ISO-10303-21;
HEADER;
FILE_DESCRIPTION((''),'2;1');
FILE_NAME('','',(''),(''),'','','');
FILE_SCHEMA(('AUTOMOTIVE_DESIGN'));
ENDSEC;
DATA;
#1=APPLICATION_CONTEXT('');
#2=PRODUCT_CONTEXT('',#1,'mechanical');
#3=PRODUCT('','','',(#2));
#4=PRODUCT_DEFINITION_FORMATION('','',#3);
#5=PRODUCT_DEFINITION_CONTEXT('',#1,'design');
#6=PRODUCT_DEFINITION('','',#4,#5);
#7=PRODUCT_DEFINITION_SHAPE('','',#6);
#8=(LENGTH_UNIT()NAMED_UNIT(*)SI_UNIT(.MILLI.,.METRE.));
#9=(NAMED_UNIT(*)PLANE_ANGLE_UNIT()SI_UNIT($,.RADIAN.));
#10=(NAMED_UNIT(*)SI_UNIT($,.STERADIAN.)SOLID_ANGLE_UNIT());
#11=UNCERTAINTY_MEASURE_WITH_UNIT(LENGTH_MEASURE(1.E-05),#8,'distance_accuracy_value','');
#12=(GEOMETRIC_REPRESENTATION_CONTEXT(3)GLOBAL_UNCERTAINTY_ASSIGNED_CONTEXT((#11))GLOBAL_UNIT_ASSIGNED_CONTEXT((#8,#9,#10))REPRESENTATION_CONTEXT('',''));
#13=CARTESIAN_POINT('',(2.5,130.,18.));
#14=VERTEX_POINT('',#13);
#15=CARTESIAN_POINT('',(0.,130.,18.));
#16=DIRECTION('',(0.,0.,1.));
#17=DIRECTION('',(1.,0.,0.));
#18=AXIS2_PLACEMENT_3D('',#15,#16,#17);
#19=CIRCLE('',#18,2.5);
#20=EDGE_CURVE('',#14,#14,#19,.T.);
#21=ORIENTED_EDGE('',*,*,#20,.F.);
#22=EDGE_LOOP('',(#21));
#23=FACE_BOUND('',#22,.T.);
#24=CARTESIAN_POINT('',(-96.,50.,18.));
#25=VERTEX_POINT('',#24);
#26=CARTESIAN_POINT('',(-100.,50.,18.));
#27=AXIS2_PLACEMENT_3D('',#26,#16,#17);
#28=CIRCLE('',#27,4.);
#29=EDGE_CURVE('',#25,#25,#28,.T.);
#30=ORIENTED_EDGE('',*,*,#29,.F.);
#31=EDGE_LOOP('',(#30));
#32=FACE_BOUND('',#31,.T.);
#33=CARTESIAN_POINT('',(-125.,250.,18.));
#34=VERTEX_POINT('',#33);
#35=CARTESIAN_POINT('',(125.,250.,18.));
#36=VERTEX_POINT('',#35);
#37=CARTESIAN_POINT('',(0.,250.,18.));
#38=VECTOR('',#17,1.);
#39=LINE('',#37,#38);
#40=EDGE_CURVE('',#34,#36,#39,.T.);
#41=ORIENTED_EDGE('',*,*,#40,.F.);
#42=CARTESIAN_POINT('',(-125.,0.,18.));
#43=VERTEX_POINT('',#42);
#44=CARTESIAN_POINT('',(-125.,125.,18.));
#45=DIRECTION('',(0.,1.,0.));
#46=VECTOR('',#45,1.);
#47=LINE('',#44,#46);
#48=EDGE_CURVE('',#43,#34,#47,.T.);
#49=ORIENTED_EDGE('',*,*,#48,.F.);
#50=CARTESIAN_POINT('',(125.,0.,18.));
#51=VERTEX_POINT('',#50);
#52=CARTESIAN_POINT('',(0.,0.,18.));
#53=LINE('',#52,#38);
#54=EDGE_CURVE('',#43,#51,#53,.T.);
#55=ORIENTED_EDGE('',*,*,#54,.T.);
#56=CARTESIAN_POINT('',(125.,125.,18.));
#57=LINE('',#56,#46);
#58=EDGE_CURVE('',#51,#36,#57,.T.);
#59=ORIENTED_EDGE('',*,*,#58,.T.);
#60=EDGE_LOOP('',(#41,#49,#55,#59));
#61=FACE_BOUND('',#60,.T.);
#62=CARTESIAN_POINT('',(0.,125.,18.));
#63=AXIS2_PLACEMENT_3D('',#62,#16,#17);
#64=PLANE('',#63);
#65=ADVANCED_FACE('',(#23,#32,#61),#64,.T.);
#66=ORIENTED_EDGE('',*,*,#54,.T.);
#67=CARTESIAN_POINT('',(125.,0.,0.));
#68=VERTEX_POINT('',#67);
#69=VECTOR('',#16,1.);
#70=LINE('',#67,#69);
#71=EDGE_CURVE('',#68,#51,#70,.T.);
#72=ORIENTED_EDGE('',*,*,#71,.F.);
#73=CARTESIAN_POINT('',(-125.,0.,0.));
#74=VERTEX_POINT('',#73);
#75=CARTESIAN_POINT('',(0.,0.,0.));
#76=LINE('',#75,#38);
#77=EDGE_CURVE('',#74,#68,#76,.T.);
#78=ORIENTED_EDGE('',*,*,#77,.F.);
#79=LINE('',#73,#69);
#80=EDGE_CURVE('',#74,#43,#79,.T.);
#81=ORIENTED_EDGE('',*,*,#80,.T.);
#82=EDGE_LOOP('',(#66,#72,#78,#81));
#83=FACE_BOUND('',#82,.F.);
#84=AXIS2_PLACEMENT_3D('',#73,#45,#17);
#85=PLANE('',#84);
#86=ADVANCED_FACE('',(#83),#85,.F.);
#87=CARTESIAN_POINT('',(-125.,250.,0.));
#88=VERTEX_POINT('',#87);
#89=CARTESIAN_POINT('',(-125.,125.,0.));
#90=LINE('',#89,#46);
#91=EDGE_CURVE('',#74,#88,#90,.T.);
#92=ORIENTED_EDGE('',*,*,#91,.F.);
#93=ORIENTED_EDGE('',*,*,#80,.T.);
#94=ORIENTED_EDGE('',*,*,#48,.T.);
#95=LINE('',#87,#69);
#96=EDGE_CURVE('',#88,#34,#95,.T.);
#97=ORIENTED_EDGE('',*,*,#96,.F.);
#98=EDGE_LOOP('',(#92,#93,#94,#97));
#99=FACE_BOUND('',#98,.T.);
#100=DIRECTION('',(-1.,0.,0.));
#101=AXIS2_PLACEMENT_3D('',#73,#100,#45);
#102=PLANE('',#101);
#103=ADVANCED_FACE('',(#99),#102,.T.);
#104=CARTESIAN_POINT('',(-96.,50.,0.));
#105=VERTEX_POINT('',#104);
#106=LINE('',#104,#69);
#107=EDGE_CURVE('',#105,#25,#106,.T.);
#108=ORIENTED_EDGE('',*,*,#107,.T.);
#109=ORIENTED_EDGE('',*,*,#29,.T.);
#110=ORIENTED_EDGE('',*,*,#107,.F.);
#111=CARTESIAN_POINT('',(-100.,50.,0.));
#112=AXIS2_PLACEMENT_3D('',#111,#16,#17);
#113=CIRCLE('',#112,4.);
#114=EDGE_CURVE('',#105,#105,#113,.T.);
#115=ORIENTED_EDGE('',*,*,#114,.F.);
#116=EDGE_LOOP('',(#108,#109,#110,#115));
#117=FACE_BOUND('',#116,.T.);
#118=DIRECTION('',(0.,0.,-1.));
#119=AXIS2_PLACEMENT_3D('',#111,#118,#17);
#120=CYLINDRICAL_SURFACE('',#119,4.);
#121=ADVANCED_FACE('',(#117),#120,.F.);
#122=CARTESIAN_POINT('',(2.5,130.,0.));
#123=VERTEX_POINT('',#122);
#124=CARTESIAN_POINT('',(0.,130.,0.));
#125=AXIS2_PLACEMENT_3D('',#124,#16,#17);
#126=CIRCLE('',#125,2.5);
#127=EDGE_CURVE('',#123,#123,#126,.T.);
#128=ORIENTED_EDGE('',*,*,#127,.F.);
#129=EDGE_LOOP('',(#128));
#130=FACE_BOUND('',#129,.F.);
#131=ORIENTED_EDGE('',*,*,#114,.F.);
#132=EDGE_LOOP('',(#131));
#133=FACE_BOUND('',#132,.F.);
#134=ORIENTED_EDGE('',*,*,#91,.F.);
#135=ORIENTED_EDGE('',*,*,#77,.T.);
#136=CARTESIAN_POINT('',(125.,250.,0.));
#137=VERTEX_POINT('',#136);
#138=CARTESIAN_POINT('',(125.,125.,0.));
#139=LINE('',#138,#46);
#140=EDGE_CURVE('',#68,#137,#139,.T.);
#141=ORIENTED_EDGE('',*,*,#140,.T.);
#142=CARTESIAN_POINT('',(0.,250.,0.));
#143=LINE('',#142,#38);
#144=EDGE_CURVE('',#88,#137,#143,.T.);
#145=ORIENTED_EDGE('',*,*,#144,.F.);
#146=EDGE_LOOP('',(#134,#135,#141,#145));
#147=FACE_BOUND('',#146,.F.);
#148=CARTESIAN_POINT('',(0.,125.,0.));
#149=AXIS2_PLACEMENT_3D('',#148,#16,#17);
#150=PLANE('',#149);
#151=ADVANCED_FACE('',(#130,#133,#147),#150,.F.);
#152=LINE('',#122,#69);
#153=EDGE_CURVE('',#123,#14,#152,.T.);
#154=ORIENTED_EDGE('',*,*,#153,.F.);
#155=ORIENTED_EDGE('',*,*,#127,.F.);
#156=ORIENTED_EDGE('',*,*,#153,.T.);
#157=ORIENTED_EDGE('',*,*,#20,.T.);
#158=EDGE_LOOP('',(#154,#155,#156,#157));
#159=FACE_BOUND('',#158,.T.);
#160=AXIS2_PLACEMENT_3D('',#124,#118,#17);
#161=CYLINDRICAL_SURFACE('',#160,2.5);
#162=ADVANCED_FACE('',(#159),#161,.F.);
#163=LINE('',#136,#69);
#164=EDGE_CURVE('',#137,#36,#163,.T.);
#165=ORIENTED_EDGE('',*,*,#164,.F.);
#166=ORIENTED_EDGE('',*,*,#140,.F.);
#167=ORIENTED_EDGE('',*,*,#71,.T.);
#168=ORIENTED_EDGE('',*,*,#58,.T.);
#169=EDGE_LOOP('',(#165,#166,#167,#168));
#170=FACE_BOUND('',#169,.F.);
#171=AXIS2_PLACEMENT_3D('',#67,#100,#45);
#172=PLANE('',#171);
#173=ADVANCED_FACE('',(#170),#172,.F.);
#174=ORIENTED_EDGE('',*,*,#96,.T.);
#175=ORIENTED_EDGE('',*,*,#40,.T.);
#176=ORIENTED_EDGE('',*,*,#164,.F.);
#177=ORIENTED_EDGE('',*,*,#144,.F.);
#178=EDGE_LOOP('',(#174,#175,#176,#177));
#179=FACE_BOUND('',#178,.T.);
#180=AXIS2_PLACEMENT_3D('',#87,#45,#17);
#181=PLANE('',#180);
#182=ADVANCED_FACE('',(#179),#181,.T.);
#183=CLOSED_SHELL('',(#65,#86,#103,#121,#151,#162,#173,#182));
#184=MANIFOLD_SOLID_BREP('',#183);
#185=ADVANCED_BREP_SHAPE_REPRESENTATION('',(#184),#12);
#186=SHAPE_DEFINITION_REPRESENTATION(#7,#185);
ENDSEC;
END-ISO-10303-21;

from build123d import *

# Parameters (mm, degrees)
SKETCH_W   = 250
SKETCH_H   = 250
SKETCH_R   = 2.5
SKETCH_R_2 = 4
PAD_DEPTH  = 18


with BuildPart() as part:
    # Sketch → Pad (new body)
    with BuildSketch(Plane.XY):
        with Locations((0, 125)):
            Rectangle(SKETCH_W, SKETCH_H)
        with Locations((0, 130)):
            Circle(SKETCH_R, mode=Mode.SUBTRACT)
        with Locations((-100, 50)):
            Circle(SKETCH_R_2, mode=Mode.SUBTRACT)
    extrude(amount=PAD_DEPTH)


solid = part.part
